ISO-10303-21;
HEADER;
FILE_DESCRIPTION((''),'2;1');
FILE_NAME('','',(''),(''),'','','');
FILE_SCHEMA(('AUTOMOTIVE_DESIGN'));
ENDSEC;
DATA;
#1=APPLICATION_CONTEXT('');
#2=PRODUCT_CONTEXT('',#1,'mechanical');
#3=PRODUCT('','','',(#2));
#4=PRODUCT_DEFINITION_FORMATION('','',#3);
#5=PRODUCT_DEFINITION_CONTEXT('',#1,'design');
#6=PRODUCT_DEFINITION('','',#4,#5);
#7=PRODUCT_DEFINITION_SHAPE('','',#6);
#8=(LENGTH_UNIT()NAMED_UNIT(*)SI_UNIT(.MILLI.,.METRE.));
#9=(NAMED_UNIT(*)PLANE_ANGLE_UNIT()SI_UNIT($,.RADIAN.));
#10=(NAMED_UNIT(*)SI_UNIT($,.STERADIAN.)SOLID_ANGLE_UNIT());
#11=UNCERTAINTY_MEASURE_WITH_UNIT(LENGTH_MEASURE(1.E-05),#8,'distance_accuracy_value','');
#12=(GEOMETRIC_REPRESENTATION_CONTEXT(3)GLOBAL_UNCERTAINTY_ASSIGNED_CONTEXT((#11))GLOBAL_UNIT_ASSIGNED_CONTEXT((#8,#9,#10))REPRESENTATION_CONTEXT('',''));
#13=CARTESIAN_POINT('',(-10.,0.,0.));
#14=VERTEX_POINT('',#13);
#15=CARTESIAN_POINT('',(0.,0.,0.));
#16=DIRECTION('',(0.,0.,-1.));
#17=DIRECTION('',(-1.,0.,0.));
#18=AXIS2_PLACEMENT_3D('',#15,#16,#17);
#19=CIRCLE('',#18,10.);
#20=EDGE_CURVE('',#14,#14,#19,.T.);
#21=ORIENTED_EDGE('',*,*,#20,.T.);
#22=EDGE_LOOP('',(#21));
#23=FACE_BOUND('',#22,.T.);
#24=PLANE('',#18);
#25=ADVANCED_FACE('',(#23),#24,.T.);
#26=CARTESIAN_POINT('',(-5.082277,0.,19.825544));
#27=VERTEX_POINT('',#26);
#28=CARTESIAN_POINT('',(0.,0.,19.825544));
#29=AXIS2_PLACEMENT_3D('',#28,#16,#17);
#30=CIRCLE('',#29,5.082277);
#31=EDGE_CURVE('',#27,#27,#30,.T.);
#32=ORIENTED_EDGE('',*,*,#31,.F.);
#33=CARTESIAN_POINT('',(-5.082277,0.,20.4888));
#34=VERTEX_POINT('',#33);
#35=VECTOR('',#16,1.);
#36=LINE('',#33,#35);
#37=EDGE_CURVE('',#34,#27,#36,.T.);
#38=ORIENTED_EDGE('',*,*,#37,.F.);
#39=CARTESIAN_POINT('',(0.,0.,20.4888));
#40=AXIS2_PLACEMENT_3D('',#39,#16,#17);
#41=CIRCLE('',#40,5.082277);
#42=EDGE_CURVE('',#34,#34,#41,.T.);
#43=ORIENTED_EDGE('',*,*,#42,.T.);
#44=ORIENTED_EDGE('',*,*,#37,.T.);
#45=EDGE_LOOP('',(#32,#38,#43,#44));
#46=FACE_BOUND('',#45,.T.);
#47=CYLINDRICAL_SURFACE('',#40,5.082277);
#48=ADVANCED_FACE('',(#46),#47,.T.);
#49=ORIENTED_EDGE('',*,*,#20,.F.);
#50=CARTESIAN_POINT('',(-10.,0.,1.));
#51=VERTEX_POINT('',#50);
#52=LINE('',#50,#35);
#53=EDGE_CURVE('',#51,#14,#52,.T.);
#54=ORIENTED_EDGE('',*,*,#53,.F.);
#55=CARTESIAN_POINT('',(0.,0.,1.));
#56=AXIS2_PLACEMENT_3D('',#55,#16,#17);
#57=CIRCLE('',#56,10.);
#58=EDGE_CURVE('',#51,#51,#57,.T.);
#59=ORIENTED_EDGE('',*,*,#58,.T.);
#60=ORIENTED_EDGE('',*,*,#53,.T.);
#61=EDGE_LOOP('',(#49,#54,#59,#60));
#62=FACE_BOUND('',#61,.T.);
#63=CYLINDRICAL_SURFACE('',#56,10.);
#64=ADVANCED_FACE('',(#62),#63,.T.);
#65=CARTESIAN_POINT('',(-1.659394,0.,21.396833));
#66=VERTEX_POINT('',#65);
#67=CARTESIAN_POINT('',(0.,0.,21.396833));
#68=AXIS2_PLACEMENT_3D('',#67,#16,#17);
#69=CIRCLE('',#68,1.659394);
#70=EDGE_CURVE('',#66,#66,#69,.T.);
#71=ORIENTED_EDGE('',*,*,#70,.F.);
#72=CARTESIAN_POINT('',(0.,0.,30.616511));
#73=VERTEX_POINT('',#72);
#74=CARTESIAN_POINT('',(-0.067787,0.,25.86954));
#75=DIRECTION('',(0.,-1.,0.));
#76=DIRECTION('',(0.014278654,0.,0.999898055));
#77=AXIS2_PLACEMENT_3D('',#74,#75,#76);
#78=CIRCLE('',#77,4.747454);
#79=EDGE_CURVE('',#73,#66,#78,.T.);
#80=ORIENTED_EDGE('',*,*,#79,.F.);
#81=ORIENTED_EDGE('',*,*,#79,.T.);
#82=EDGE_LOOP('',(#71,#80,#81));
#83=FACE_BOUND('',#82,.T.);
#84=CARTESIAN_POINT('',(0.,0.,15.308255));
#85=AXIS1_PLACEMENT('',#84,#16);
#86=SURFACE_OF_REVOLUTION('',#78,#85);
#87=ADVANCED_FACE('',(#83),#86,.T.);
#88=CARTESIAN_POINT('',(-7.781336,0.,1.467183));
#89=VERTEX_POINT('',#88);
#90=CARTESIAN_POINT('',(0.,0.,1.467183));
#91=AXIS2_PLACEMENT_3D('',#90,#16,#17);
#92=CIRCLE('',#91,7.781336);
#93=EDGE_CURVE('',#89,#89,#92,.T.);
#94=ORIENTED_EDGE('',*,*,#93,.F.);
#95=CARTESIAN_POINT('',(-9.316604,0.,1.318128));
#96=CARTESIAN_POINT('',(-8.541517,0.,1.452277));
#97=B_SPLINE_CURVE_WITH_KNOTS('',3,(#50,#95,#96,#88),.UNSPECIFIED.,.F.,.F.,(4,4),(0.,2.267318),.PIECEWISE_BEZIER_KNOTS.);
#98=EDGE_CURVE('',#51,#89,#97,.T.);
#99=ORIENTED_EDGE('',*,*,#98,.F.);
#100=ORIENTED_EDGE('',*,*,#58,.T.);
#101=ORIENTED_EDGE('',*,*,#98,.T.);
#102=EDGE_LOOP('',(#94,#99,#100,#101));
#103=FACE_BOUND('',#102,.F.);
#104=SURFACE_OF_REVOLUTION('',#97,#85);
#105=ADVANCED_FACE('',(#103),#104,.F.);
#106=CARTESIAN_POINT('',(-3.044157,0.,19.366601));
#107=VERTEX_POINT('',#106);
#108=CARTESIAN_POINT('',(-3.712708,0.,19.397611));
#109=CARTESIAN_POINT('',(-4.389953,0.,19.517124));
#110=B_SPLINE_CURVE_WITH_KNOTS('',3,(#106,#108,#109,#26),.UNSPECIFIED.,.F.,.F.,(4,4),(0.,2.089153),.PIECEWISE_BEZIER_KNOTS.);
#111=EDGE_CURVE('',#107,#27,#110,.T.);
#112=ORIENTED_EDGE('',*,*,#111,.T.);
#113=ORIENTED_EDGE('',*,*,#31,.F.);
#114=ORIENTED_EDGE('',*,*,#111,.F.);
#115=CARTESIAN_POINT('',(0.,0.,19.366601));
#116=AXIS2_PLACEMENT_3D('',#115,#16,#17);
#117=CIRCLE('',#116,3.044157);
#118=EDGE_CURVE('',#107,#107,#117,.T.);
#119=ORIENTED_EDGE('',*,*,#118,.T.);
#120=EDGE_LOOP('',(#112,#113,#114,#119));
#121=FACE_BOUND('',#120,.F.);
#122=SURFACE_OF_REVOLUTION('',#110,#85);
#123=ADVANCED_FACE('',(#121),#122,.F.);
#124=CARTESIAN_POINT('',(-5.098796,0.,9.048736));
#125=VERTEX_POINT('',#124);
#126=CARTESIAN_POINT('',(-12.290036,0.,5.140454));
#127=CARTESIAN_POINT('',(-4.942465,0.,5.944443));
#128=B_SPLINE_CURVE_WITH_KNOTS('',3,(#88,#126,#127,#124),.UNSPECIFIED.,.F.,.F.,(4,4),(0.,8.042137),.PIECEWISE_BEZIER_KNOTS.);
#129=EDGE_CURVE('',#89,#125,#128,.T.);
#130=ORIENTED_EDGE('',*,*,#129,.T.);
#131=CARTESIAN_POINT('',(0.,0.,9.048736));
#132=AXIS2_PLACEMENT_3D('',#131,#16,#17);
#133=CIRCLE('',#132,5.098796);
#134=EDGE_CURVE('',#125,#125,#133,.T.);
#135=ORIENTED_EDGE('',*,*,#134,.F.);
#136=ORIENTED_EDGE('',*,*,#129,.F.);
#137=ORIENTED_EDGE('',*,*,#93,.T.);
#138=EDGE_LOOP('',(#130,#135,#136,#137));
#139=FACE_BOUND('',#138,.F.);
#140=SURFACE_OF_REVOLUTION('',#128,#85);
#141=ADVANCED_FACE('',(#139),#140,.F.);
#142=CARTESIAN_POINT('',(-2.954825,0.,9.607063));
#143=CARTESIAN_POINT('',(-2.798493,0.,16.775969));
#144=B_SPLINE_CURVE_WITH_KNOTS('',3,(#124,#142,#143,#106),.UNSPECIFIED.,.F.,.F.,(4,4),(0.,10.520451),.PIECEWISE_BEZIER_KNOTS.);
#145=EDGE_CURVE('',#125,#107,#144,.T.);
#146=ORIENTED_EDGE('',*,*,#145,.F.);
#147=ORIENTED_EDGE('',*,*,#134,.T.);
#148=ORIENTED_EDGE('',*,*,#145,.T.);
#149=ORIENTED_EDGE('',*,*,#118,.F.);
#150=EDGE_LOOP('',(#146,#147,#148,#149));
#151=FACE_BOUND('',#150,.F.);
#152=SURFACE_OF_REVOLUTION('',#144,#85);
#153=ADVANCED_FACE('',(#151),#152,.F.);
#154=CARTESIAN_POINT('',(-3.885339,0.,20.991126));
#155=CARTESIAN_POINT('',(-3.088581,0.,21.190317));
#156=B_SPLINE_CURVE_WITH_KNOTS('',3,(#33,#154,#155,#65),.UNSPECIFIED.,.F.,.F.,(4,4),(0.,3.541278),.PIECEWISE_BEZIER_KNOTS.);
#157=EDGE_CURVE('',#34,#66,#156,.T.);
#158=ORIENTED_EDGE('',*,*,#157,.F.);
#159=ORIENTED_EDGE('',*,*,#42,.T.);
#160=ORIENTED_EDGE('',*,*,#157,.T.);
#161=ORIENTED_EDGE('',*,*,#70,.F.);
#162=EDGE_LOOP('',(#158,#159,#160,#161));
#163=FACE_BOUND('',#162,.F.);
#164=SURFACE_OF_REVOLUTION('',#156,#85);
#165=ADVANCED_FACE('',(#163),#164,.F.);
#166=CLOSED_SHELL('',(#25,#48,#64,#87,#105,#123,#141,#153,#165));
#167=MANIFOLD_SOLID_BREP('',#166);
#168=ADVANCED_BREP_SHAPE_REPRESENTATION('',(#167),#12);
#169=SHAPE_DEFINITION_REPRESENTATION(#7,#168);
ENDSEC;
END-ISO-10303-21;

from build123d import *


with BuildPart() as f1:
    # F0 (on Front) → F1 (revolve)
    with BuildSketch(Plane.XZ):
        with BuildLine():
            Line((-10, 0), (0, 0))
            Line((0, 0), (0, 30.616511))
            ThreePointArc((0, 30.616511), (-4.740166, 26.710493), (-1.659394, 21.396833))
            add(Edge.make_bspline(
                [(-5.082277, 20.4888), (-3.885339, 20.991126), (-3.088581, 21.190317), (-1.659394, 21.396833)],
                knots=[0, 0, 0, 0, 3.541278, 3.541278, 3.541278, 3.541278], degree=3))
            Line((-5.082277, 20.4888), (-5.082277, 19.825544))
            add(Edge.make_bspline(
                [(-3.044157, 19.366601), (-3.712708, 19.397611), (-4.389953, 19.517124), (-5.082277, 19.825544)],
                knots=[0, 0, 0, 0, 2.089153, 2.089153, 2.089153, 2.089153], degree=3))
            add(Edge.make_bspline(
                [(-5.098796, 9.048736), (-2.954825, 9.607063), (-2.798493, 16.775969), (-3.044157, 19.366601)],
                knots=[0, 0, 0, 0, 10.520451, 10.520451, 10.520451, 10.520451], degree=3))
            add(Edge.make_bspline(
                [(-7.781336, 1.467183), (-12.290036, 5.140454), (-4.942465, 5.944443), (-5.098796, 9.048736)],
                knots=[0, 0, 0, 0, 8.042137, 8.042137, 8.042137, 8.042137], degree=3))
            add(Edge.make_bspline(
                [(-10, 1), (-9.316604, 1.318128), (-8.541517, 1.452277), (-7.781336, 1.467183)],
                knots=[0, 0, 0, 0, 2.267318, 2.267318, 2.267318, 2.267318], degree=3))
            Line((-10, 1), (-10, 0))
        make_face()
    revolve(axis=Axis((0, 0, 15.308255), (0, 0, -1)))


solid = f1.part
